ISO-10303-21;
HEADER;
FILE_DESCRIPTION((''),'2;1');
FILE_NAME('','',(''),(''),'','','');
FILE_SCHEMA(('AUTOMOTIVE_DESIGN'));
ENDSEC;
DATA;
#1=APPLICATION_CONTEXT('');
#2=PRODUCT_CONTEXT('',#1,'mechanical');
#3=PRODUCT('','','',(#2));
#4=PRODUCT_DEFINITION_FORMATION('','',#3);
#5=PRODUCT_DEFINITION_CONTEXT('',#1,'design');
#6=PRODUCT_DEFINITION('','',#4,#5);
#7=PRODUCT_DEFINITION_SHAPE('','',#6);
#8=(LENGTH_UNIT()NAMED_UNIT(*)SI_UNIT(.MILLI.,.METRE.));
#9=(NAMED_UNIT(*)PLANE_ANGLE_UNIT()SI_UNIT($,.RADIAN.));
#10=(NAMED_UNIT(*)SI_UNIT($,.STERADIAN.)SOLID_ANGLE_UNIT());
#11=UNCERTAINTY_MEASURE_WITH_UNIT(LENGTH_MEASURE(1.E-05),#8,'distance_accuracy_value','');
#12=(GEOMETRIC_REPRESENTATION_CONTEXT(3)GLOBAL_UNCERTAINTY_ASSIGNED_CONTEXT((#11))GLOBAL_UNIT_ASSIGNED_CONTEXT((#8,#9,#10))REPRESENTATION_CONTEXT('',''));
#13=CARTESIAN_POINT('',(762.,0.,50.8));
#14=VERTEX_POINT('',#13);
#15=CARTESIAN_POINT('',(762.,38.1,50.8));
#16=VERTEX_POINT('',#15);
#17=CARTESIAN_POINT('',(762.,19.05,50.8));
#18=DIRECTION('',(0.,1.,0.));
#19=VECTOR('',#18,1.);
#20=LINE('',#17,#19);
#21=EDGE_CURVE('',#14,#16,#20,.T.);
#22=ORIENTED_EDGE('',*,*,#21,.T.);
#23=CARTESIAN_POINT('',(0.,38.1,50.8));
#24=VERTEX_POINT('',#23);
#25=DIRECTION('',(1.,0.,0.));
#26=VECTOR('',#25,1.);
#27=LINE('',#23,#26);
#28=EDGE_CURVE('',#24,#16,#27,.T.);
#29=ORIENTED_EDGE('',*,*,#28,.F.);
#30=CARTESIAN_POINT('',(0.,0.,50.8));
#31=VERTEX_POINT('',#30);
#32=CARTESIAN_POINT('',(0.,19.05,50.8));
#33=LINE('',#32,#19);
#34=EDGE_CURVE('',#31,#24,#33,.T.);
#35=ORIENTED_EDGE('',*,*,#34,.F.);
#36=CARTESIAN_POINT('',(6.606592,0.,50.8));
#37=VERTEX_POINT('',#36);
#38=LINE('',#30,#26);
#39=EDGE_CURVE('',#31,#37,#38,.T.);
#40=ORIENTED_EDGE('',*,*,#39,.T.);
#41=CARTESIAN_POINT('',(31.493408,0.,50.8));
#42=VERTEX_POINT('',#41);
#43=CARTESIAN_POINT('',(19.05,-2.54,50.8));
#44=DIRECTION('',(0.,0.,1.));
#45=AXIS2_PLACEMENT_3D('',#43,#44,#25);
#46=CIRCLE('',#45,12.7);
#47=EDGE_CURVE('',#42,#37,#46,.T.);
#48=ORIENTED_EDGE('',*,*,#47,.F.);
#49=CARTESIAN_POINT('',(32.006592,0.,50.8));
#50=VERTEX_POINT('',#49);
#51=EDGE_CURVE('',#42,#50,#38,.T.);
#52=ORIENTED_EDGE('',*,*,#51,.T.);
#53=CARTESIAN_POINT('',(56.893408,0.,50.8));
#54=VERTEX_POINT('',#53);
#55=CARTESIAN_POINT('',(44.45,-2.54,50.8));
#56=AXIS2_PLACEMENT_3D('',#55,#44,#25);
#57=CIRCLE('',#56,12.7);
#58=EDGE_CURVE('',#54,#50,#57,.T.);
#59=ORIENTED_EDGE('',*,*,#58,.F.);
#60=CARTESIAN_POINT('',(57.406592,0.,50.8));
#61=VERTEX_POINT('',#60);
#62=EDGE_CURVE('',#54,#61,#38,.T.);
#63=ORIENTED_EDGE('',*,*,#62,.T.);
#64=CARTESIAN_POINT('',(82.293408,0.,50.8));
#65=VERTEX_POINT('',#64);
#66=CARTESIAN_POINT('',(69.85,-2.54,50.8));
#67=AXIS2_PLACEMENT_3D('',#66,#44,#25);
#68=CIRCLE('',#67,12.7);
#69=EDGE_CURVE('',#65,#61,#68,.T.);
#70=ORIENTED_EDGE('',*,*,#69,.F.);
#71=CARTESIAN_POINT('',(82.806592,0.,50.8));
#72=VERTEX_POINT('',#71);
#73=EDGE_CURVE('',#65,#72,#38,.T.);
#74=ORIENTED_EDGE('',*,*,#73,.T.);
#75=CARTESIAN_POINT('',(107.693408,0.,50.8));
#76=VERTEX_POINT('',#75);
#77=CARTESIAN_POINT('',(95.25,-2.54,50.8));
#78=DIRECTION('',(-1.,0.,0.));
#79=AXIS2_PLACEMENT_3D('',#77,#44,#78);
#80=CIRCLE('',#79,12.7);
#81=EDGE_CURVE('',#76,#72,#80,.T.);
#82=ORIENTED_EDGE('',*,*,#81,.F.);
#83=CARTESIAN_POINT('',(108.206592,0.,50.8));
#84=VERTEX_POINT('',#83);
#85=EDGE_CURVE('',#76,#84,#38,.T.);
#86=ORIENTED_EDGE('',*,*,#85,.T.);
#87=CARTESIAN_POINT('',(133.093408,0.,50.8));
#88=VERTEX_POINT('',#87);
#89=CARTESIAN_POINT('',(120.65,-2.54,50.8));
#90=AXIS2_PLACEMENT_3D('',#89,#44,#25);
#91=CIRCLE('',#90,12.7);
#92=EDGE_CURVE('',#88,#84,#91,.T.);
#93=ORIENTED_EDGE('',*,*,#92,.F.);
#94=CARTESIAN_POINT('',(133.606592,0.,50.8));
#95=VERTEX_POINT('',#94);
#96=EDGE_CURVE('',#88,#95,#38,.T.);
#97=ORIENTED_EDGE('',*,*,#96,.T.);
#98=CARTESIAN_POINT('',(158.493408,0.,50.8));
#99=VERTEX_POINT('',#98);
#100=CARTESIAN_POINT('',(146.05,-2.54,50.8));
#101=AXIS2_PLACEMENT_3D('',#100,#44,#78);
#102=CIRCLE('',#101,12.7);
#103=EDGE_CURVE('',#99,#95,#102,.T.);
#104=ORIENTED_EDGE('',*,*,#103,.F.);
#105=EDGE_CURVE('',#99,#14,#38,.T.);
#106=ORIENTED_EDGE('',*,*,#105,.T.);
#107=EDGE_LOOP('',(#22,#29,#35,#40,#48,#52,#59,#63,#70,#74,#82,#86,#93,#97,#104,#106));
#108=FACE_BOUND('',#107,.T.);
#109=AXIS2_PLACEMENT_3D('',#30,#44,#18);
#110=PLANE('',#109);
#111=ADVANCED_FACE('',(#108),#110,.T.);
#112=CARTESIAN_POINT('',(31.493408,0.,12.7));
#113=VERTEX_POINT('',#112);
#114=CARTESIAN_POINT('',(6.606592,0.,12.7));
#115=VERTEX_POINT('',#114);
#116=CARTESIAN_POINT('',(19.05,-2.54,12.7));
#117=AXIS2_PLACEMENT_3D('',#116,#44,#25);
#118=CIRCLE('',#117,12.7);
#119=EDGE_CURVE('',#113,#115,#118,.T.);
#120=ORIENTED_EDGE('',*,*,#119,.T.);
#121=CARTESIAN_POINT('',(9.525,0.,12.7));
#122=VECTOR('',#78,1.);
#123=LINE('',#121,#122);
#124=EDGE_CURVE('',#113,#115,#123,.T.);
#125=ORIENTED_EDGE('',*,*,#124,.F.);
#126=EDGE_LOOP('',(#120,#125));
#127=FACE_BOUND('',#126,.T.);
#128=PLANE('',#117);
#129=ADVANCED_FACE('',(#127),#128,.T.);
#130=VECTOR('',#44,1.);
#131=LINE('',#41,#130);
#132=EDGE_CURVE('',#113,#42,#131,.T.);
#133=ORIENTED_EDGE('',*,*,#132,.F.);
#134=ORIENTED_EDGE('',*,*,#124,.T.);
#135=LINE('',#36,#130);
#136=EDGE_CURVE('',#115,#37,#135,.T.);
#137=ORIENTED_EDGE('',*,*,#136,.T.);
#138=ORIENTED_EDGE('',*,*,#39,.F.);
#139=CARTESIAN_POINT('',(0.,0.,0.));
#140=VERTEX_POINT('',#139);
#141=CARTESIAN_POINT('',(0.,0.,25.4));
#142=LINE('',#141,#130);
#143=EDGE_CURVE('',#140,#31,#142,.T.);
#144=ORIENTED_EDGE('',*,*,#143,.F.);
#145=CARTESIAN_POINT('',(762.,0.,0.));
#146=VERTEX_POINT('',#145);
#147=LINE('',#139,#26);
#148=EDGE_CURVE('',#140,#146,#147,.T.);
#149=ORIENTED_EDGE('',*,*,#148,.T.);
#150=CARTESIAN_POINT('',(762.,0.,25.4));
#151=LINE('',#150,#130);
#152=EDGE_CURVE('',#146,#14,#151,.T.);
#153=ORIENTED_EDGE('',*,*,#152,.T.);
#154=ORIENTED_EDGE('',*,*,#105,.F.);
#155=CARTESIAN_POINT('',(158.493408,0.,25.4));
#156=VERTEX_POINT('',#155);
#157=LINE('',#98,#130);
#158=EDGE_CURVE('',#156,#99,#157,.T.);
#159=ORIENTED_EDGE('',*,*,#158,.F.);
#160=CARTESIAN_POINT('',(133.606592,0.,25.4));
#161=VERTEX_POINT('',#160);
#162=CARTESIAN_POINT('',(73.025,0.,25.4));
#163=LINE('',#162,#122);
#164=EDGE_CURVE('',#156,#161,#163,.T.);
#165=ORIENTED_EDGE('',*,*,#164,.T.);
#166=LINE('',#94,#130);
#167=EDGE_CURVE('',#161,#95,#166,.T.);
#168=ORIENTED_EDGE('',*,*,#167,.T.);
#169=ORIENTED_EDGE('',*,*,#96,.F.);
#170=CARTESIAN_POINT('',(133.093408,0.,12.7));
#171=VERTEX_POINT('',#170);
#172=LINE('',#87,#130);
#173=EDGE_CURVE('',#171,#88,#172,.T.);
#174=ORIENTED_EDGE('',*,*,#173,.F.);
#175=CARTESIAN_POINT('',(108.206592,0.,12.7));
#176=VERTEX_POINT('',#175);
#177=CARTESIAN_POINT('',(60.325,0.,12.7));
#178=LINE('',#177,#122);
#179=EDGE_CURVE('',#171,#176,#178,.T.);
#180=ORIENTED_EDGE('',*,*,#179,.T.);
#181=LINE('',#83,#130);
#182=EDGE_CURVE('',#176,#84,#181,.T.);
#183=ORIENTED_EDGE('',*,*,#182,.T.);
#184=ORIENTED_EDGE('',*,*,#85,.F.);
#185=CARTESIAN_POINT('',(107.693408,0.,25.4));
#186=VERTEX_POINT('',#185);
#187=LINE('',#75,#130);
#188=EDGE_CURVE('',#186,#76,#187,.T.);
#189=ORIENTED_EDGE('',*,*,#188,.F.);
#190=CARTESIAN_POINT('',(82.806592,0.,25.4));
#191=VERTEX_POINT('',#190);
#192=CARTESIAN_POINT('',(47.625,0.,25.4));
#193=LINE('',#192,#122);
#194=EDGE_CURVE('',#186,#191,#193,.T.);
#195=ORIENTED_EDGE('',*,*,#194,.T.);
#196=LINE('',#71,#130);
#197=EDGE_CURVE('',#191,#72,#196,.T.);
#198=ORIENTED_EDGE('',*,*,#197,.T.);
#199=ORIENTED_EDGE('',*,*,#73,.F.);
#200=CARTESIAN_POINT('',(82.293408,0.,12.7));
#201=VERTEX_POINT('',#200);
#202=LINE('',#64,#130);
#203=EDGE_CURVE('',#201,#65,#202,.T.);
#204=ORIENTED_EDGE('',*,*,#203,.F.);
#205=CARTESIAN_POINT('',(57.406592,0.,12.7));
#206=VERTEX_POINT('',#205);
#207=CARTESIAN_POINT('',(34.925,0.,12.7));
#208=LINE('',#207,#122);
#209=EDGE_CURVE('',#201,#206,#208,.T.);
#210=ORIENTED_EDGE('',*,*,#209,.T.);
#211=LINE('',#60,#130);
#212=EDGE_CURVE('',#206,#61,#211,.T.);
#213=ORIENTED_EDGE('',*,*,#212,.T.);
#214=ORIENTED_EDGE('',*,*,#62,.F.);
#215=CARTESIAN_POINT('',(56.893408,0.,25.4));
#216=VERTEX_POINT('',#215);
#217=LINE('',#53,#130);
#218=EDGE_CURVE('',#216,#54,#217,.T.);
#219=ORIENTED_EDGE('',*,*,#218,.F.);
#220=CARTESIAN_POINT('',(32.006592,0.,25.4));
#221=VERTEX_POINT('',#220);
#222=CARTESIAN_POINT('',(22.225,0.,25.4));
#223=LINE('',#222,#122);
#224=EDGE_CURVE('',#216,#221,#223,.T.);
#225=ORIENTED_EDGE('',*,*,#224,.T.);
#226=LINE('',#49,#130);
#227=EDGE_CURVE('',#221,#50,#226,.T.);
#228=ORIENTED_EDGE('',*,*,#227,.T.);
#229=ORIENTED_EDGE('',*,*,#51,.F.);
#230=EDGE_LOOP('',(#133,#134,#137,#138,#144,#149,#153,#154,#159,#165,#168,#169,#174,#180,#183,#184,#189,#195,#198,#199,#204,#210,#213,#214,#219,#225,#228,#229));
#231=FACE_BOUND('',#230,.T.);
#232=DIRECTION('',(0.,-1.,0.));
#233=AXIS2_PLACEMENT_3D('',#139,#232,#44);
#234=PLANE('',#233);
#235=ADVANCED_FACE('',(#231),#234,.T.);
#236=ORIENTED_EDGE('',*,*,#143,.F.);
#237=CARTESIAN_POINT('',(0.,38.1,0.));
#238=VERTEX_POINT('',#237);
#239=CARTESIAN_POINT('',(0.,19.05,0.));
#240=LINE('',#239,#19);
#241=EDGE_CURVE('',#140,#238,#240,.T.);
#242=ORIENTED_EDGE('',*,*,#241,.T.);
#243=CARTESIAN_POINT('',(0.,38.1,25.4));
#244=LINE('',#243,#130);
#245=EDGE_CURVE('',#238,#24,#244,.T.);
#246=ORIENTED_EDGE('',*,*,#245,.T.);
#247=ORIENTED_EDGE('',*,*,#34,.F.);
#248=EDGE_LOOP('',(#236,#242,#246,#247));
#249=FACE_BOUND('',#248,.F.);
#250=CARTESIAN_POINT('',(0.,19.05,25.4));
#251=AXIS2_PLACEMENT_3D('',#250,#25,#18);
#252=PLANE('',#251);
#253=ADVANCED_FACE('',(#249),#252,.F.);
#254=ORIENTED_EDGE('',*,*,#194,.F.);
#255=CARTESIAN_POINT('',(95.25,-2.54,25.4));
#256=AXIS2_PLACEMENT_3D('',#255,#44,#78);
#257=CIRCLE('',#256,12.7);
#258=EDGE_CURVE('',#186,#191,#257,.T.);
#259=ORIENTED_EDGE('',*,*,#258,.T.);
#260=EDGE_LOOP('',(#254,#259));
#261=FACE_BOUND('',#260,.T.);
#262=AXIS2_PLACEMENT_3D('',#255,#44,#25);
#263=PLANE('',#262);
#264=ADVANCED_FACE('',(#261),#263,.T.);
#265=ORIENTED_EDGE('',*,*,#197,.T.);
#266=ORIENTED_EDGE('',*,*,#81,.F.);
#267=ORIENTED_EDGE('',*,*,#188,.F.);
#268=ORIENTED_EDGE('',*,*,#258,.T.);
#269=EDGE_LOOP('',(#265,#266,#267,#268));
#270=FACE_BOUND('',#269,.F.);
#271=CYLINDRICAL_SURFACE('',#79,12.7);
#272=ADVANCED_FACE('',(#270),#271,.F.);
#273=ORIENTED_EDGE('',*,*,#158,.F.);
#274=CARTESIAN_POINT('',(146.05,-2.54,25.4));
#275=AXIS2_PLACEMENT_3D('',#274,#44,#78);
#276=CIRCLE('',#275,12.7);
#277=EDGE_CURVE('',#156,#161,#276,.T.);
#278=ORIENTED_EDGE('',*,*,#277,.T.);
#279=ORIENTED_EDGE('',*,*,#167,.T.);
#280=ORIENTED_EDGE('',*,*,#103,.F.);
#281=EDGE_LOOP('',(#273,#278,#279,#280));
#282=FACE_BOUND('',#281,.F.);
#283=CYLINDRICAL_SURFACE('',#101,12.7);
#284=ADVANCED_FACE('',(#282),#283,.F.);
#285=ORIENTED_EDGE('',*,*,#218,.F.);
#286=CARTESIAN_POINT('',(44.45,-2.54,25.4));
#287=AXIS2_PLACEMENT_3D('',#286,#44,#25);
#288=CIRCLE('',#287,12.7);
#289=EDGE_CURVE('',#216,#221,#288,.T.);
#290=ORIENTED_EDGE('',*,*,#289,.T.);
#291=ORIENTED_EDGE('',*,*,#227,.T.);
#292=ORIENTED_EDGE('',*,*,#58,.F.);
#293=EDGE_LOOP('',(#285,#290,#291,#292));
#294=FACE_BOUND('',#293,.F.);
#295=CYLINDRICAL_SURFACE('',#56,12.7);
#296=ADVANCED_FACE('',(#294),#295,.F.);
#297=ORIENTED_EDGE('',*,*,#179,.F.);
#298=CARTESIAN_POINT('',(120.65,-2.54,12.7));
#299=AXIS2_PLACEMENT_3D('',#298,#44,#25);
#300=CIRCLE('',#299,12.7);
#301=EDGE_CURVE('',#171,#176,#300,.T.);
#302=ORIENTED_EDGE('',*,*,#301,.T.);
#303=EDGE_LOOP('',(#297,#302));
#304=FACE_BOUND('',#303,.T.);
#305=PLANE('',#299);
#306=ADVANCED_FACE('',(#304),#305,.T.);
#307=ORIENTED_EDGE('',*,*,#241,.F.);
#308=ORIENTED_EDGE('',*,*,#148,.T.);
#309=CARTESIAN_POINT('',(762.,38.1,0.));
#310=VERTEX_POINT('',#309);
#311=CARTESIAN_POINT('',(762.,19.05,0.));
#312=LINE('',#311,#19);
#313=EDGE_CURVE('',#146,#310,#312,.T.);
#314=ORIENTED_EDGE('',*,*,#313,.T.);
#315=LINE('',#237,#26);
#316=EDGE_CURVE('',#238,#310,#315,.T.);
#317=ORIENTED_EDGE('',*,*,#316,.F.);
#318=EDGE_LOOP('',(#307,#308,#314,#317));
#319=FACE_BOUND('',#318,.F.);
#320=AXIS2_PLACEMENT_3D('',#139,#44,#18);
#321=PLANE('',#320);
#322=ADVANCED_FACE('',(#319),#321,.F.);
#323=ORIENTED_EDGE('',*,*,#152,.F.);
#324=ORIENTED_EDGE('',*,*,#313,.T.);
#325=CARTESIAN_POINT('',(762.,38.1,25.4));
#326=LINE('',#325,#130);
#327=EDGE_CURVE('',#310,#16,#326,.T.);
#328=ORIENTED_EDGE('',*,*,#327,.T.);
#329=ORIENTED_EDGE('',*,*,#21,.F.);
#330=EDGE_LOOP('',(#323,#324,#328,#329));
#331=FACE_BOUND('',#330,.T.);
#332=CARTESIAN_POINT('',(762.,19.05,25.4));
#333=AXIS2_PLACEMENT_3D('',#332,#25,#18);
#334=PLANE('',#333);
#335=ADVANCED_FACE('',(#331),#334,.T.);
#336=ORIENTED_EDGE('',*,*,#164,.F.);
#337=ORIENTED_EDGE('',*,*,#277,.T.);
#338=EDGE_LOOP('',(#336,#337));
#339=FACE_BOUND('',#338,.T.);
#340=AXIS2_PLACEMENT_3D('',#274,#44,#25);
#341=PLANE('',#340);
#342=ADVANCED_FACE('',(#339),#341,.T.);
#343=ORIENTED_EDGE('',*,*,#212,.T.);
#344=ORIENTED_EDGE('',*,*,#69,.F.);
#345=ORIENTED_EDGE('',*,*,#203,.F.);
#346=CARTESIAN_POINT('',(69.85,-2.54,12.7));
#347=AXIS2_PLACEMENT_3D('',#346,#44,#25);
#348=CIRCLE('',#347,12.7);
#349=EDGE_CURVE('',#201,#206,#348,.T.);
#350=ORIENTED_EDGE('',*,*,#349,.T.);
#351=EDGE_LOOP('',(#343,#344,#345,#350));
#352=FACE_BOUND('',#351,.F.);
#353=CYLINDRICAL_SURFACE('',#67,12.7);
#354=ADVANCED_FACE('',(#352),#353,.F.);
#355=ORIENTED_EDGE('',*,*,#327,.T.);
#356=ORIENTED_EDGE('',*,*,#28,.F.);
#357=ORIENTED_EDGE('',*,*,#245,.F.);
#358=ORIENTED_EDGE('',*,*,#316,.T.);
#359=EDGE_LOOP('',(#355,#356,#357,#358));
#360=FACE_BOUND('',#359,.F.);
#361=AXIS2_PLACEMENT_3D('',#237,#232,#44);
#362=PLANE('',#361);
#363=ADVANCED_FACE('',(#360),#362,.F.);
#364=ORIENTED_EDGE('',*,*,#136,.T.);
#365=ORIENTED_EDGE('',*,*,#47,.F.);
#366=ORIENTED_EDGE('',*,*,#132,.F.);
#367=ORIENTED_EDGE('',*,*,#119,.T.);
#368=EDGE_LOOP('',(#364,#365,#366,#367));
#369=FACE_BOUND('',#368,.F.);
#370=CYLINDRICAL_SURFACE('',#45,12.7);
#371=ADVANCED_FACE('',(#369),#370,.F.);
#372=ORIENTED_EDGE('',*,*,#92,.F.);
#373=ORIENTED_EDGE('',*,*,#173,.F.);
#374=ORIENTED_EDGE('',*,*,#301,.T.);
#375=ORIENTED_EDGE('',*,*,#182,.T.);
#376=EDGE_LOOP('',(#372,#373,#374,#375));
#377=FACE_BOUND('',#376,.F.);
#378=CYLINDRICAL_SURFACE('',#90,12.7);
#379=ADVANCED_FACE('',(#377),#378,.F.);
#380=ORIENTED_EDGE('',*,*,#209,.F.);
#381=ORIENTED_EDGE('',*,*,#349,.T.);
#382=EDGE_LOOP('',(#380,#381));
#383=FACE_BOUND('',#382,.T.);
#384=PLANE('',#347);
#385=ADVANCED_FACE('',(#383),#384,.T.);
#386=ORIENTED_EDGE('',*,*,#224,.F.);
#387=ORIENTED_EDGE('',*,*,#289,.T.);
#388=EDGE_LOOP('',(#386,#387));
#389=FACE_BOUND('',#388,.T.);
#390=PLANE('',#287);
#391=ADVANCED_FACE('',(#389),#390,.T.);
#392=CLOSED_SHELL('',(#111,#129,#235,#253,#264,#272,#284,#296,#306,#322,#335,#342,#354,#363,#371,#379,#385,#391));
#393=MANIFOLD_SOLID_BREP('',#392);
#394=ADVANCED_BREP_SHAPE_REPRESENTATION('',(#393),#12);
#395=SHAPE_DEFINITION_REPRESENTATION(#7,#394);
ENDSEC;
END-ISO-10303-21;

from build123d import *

# Parameters (mm, degrees)
F0_W     = 38.1
F0_H     = 50.8
F1_DEPTH = 762
F3_DEPTH = 38.1
F5_DEPTH = 25.4


with BuildPart() as f1:
    # F0 (on Right) → F1 (new body)
    with BuildSketch(Plane.YZ):
        with Locations((19.05, 25.4)):
            Rectangle(F0_W, F0_H)
    extrude(amount=F1_DEPTH)

    # F2 (on face) → F3 (cut)
    with BuildSketch(Plane.XY.offset(50.8)):
        with BuildLine():
            ThreePointArc((6.35, -2.54), (19.05, -15.24), (31.75, -2.54))
            ThreePointArc((31.75, -2.54), (19.05, 10.16), (6.35, -2.54))
        make_face()
        with BuildLine():
            ThreePointArc((57.15, -2.54), (69.85, -15.24), (82.55, -2.54))
            ThreePointArc((82.55, -2.54), (69.85, 10.16), (57.15, -2.54))
        make_face()
        with BuildLine():
            ThreePointArc((107.95, -2.54), (120.65, -15.24), (133.35, -2.54))
            ThreePointArc((133.35, -2.54), (120.65, 10.16), (107.95, -2.54))
        make_face()
    extrude(amount=-F3_DEPTH, mode=Mode.SUBTRACT)

    # F4 (on face) → F5 (cut)
    with BuildSketch(Plane.XY.offset(50.8)):
        with BuildLine():
            ThreePointArc((31.75, -2.54), (44.45, -15.24), (57.15, -2.54))
            ThreePointArc((57.15, -2.54), (44.45, 10.16), (31.75, -2.54))
        make_face()
        with BuildLine():
            ThreePointArc((158.75, -2.54), (146.05, 10.16), (133.35, -2.54))
            ThreePointArc((133.35, -2.54), (146.05, -15.24), (158.75, -2.54))
        make_face()
        with BuildLine():
            ThreePointArc((107.95, -2.54), (95.25, 10.16), (82.55, -2.54))
            ThreePointArc((82.55, -2.54), (95.25, -15.24), (107.95, -2.54))
        make_face()
    extrude(amount=-F5_DEPTH, mode=Mode.SUBTRACT)


solid = f1.part
